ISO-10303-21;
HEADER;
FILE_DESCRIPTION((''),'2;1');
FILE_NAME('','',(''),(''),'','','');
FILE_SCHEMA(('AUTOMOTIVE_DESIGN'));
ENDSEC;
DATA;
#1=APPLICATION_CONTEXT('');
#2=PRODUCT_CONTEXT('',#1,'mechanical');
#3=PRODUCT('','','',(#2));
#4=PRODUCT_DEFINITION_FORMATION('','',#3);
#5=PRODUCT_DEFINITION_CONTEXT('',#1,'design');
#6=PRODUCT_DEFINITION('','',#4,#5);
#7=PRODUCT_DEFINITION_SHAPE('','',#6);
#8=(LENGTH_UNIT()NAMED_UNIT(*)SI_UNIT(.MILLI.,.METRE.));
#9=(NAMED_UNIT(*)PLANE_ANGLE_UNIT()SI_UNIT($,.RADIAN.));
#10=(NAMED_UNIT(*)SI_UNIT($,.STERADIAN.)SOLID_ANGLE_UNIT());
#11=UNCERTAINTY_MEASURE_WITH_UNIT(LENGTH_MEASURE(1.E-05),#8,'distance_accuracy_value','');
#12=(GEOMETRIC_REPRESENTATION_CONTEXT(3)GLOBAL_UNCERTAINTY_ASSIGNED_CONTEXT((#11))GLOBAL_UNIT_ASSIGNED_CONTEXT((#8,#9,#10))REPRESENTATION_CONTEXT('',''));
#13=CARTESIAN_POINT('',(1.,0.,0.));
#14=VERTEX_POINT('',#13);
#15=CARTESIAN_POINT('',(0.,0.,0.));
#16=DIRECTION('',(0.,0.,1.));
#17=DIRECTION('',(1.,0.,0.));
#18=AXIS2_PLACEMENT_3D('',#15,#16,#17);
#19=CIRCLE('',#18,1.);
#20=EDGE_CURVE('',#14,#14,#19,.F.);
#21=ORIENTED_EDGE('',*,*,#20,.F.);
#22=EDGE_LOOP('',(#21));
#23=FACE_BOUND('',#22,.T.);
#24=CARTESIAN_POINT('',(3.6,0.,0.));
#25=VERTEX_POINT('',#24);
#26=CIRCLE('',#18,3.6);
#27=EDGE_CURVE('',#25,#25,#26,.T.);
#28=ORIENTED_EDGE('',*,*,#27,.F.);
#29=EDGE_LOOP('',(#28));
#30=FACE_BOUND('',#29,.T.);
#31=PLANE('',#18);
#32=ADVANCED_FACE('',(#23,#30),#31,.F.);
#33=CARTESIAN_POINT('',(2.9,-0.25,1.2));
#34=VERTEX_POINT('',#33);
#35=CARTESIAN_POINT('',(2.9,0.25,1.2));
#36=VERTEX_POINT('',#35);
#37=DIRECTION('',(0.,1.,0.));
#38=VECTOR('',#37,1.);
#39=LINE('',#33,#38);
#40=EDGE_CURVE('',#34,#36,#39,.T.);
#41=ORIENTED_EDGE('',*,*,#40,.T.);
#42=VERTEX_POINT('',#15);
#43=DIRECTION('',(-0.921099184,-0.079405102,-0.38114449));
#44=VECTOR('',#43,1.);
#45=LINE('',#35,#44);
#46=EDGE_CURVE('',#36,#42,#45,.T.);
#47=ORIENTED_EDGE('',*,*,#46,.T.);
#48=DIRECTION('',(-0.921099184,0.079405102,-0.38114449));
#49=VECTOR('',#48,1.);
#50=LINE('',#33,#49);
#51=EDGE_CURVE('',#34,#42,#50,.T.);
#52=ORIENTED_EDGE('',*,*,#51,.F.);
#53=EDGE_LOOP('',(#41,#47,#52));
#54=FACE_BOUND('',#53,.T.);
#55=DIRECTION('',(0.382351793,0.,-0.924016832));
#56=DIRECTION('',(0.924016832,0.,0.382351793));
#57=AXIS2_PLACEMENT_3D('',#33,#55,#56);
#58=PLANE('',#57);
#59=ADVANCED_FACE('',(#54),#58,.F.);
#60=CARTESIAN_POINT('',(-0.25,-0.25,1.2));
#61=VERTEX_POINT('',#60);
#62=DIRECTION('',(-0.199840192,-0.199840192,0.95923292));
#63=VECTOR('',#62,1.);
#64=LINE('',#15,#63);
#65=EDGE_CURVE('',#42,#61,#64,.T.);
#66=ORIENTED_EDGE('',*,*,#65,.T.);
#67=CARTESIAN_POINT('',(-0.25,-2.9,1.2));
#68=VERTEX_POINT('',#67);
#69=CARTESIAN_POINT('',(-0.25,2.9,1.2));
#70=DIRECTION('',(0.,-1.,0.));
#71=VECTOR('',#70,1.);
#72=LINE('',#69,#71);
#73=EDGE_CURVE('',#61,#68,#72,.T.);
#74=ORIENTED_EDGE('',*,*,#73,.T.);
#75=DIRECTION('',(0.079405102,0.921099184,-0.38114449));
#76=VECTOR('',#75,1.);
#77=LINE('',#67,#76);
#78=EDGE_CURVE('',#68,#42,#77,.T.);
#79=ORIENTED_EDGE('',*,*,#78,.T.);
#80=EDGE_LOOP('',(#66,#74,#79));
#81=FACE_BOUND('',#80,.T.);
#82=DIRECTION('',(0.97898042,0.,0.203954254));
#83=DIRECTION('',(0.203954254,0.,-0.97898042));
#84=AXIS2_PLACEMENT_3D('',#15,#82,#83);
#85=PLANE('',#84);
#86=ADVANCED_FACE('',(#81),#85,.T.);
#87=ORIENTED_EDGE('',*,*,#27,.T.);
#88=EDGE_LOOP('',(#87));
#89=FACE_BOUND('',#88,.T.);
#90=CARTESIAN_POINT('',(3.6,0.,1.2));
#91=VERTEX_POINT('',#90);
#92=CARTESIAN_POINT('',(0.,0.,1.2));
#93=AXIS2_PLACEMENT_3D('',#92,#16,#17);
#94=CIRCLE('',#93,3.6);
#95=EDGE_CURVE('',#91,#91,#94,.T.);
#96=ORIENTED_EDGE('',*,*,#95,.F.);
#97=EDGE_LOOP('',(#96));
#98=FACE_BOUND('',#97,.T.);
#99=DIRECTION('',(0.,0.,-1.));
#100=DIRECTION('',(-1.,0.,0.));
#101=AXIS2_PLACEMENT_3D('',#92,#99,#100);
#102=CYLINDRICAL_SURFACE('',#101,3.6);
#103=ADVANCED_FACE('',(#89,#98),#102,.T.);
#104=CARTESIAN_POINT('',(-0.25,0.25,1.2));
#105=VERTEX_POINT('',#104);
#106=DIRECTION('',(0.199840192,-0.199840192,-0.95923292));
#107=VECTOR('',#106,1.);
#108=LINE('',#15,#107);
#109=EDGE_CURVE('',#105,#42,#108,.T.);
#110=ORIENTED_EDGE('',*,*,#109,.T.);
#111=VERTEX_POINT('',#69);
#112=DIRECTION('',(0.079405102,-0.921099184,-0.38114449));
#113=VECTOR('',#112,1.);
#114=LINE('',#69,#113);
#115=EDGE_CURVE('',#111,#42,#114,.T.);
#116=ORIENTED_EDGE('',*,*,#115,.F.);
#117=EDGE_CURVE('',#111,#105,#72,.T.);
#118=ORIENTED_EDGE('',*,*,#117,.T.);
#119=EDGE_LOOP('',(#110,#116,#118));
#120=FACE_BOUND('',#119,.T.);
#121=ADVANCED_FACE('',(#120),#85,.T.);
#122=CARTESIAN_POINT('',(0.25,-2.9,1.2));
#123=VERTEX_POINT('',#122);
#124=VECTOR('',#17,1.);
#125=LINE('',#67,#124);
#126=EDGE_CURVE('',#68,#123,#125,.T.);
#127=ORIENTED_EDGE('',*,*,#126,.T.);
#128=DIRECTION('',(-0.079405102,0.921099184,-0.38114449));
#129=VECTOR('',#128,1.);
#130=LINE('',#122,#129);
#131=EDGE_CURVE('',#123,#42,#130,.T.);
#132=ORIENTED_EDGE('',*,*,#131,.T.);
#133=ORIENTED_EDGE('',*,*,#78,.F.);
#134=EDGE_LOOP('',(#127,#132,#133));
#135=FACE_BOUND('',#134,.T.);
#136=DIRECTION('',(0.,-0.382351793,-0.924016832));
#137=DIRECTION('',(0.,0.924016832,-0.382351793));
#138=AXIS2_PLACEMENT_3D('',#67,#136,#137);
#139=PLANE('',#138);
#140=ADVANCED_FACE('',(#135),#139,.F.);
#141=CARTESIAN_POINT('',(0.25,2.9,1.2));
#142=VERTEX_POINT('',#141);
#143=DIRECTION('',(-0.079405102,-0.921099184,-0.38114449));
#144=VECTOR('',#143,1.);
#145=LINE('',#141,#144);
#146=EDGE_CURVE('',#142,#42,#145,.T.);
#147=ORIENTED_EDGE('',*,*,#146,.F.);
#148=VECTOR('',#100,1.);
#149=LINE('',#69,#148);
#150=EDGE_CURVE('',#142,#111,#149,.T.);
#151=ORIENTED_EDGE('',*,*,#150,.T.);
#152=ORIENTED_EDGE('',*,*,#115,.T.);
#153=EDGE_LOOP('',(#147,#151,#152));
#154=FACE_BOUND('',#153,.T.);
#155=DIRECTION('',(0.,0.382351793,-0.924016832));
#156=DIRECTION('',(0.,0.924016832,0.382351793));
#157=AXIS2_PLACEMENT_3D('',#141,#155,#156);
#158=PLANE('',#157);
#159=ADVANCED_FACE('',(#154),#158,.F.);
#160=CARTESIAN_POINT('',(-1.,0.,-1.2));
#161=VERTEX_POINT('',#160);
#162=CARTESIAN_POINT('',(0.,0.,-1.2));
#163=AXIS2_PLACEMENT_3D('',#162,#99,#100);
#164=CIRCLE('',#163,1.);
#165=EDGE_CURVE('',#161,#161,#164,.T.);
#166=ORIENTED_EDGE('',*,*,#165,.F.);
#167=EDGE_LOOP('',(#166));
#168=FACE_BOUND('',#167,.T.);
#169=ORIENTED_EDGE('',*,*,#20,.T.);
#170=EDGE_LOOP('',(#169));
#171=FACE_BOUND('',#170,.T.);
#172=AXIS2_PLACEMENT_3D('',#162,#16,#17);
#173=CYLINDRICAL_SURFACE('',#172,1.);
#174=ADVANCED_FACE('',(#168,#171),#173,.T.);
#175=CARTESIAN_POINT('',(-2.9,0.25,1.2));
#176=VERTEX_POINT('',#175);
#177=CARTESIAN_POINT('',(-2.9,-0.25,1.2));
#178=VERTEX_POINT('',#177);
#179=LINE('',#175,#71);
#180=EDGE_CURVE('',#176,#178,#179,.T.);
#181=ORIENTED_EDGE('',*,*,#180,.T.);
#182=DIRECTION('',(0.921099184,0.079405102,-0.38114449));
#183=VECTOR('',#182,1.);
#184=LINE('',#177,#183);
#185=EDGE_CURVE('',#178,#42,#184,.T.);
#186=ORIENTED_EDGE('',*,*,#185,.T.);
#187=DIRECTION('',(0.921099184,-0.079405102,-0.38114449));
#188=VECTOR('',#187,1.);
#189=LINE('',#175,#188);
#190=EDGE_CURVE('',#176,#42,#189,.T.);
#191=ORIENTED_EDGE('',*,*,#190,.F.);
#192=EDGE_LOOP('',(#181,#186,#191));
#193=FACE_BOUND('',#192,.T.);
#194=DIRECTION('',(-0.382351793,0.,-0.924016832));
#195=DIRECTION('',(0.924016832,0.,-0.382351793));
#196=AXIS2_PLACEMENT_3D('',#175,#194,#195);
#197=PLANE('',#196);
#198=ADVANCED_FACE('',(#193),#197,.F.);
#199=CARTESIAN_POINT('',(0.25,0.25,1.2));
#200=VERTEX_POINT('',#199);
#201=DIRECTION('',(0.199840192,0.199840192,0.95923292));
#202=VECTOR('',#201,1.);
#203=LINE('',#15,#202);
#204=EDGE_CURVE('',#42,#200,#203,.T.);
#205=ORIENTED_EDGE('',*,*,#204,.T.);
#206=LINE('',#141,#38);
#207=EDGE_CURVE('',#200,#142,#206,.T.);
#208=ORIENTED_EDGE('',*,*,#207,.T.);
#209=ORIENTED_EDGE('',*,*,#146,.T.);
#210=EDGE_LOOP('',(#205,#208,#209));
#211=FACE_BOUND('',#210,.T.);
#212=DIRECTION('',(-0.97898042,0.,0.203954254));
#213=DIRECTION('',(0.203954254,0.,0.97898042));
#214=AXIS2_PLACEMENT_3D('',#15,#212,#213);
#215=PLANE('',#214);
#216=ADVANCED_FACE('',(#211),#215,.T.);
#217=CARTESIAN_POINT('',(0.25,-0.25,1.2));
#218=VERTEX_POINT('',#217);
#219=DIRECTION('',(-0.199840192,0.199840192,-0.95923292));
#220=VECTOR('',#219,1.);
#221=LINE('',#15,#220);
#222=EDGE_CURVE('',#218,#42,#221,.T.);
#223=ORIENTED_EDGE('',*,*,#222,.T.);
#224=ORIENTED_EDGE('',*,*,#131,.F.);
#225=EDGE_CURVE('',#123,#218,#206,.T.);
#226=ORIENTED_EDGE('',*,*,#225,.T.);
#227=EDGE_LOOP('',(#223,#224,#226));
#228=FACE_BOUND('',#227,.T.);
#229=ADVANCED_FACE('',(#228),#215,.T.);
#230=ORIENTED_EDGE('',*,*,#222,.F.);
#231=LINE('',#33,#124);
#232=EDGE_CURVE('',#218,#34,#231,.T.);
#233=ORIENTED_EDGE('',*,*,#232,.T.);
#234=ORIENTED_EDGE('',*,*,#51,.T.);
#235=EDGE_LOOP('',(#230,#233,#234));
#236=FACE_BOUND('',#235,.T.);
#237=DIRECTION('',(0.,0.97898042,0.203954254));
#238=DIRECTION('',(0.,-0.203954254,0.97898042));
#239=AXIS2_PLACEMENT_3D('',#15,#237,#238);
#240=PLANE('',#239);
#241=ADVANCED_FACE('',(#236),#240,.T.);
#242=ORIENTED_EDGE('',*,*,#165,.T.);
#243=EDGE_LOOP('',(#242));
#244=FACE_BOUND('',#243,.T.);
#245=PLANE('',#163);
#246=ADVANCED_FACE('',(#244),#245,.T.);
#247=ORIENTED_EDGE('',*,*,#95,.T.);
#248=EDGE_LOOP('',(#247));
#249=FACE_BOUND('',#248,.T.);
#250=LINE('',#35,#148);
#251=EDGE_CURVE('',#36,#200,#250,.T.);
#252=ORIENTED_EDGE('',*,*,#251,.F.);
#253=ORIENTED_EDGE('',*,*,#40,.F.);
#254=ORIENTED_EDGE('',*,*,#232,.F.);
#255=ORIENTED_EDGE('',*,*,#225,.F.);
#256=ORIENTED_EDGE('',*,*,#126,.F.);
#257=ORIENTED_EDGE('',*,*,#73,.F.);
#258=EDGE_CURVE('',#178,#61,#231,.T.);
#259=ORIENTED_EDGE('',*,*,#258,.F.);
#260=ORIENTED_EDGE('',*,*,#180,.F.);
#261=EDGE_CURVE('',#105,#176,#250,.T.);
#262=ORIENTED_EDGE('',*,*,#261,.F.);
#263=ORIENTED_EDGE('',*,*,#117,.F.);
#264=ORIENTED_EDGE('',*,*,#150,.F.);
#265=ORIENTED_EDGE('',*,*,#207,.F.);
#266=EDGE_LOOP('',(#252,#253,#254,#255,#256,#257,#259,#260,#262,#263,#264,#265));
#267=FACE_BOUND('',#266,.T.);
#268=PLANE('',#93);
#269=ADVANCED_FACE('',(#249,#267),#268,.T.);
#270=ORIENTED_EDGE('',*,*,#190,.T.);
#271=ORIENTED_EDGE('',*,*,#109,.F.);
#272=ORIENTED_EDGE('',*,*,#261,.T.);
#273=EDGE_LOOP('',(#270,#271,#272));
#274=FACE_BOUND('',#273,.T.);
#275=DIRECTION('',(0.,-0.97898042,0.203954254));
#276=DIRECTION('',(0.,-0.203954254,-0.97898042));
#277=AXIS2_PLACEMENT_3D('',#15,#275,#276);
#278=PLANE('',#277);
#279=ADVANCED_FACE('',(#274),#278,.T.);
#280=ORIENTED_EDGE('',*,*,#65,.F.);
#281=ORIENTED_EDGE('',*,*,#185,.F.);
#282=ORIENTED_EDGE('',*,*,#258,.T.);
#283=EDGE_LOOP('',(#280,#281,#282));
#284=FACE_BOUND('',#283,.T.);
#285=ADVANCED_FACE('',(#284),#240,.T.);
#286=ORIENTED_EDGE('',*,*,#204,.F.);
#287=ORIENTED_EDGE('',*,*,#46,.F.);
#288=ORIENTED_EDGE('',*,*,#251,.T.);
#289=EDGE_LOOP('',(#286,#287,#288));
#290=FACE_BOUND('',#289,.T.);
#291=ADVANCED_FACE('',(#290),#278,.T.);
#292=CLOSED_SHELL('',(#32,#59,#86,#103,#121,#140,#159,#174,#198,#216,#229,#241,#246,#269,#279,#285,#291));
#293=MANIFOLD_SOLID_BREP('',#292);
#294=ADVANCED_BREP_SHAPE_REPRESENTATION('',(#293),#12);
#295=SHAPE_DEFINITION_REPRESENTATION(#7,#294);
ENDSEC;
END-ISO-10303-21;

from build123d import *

# Parameters (mm, degrees)
SKETCH_2_R               = 3.6
EXTRUDE_1_DEPTH          = 1.2
SKETCH_3_R               = 1
EXTRUDE_2_DEPTH          = 1.2
PATTERN_CIRCULAR_2_COUNT = 4


with BuildPart() as part:
    # 草圖2 → 伸長1 (new body)
    with BuildSketch(Plane.XY):
        Circle(SKETCH_2_R)
    extrude(amount=EXTRUDE_1_DEPTH)

    # 草圖3 → 伸長2 (add)
    with BuildSketch(Plane(origin=(0, 0, 0), x_dir=(-1, 0, 0), z_dir=(0, 0, -1))):
        with Locations(Location((0, 0, 0), (0, 0, 180))):
            Circle(SKETCH_3_R)
    extrude(amount=EXTRUDE_2_DEPTH)

    # 草圖4 → 除料-疊層拉伸1 section 0
    with BuildSketch(Plane.XY.offset(1.2), mode=Mode.PRIVATE) as loft_1_s0:
        with BuildLine():
            Line((-0.25, 2.9), (0.25, 2.9))
            Line((0.25, 2.9), (0.25, -2.9))
            Line((0.25, -2.9), (-0.25, -2.9))
            Line((-0.25, -2.9), (-0.25, 2.9))
        make_face()
    loft_1 = loft([loft_1_s0.sketch, Vertex(0, 0, 0)], mode=Mode.SUBTRACT)

    # 環狀複製排列2: 除料-疊層拉伸1 ×4 about axis
    pattern_circular_2_axis = Axis((0, 0, 0), (0, 0, 1))
    for i in range(1, PATTERN_CIRCULAR_2_COUNT):
        add(loft_1.rotate(pattern_circular_2_axis, i * 360 / PATTERN_CIRCULAR_2_COUNT), mode=Mode.SUBTRACT)


solid = part.part
